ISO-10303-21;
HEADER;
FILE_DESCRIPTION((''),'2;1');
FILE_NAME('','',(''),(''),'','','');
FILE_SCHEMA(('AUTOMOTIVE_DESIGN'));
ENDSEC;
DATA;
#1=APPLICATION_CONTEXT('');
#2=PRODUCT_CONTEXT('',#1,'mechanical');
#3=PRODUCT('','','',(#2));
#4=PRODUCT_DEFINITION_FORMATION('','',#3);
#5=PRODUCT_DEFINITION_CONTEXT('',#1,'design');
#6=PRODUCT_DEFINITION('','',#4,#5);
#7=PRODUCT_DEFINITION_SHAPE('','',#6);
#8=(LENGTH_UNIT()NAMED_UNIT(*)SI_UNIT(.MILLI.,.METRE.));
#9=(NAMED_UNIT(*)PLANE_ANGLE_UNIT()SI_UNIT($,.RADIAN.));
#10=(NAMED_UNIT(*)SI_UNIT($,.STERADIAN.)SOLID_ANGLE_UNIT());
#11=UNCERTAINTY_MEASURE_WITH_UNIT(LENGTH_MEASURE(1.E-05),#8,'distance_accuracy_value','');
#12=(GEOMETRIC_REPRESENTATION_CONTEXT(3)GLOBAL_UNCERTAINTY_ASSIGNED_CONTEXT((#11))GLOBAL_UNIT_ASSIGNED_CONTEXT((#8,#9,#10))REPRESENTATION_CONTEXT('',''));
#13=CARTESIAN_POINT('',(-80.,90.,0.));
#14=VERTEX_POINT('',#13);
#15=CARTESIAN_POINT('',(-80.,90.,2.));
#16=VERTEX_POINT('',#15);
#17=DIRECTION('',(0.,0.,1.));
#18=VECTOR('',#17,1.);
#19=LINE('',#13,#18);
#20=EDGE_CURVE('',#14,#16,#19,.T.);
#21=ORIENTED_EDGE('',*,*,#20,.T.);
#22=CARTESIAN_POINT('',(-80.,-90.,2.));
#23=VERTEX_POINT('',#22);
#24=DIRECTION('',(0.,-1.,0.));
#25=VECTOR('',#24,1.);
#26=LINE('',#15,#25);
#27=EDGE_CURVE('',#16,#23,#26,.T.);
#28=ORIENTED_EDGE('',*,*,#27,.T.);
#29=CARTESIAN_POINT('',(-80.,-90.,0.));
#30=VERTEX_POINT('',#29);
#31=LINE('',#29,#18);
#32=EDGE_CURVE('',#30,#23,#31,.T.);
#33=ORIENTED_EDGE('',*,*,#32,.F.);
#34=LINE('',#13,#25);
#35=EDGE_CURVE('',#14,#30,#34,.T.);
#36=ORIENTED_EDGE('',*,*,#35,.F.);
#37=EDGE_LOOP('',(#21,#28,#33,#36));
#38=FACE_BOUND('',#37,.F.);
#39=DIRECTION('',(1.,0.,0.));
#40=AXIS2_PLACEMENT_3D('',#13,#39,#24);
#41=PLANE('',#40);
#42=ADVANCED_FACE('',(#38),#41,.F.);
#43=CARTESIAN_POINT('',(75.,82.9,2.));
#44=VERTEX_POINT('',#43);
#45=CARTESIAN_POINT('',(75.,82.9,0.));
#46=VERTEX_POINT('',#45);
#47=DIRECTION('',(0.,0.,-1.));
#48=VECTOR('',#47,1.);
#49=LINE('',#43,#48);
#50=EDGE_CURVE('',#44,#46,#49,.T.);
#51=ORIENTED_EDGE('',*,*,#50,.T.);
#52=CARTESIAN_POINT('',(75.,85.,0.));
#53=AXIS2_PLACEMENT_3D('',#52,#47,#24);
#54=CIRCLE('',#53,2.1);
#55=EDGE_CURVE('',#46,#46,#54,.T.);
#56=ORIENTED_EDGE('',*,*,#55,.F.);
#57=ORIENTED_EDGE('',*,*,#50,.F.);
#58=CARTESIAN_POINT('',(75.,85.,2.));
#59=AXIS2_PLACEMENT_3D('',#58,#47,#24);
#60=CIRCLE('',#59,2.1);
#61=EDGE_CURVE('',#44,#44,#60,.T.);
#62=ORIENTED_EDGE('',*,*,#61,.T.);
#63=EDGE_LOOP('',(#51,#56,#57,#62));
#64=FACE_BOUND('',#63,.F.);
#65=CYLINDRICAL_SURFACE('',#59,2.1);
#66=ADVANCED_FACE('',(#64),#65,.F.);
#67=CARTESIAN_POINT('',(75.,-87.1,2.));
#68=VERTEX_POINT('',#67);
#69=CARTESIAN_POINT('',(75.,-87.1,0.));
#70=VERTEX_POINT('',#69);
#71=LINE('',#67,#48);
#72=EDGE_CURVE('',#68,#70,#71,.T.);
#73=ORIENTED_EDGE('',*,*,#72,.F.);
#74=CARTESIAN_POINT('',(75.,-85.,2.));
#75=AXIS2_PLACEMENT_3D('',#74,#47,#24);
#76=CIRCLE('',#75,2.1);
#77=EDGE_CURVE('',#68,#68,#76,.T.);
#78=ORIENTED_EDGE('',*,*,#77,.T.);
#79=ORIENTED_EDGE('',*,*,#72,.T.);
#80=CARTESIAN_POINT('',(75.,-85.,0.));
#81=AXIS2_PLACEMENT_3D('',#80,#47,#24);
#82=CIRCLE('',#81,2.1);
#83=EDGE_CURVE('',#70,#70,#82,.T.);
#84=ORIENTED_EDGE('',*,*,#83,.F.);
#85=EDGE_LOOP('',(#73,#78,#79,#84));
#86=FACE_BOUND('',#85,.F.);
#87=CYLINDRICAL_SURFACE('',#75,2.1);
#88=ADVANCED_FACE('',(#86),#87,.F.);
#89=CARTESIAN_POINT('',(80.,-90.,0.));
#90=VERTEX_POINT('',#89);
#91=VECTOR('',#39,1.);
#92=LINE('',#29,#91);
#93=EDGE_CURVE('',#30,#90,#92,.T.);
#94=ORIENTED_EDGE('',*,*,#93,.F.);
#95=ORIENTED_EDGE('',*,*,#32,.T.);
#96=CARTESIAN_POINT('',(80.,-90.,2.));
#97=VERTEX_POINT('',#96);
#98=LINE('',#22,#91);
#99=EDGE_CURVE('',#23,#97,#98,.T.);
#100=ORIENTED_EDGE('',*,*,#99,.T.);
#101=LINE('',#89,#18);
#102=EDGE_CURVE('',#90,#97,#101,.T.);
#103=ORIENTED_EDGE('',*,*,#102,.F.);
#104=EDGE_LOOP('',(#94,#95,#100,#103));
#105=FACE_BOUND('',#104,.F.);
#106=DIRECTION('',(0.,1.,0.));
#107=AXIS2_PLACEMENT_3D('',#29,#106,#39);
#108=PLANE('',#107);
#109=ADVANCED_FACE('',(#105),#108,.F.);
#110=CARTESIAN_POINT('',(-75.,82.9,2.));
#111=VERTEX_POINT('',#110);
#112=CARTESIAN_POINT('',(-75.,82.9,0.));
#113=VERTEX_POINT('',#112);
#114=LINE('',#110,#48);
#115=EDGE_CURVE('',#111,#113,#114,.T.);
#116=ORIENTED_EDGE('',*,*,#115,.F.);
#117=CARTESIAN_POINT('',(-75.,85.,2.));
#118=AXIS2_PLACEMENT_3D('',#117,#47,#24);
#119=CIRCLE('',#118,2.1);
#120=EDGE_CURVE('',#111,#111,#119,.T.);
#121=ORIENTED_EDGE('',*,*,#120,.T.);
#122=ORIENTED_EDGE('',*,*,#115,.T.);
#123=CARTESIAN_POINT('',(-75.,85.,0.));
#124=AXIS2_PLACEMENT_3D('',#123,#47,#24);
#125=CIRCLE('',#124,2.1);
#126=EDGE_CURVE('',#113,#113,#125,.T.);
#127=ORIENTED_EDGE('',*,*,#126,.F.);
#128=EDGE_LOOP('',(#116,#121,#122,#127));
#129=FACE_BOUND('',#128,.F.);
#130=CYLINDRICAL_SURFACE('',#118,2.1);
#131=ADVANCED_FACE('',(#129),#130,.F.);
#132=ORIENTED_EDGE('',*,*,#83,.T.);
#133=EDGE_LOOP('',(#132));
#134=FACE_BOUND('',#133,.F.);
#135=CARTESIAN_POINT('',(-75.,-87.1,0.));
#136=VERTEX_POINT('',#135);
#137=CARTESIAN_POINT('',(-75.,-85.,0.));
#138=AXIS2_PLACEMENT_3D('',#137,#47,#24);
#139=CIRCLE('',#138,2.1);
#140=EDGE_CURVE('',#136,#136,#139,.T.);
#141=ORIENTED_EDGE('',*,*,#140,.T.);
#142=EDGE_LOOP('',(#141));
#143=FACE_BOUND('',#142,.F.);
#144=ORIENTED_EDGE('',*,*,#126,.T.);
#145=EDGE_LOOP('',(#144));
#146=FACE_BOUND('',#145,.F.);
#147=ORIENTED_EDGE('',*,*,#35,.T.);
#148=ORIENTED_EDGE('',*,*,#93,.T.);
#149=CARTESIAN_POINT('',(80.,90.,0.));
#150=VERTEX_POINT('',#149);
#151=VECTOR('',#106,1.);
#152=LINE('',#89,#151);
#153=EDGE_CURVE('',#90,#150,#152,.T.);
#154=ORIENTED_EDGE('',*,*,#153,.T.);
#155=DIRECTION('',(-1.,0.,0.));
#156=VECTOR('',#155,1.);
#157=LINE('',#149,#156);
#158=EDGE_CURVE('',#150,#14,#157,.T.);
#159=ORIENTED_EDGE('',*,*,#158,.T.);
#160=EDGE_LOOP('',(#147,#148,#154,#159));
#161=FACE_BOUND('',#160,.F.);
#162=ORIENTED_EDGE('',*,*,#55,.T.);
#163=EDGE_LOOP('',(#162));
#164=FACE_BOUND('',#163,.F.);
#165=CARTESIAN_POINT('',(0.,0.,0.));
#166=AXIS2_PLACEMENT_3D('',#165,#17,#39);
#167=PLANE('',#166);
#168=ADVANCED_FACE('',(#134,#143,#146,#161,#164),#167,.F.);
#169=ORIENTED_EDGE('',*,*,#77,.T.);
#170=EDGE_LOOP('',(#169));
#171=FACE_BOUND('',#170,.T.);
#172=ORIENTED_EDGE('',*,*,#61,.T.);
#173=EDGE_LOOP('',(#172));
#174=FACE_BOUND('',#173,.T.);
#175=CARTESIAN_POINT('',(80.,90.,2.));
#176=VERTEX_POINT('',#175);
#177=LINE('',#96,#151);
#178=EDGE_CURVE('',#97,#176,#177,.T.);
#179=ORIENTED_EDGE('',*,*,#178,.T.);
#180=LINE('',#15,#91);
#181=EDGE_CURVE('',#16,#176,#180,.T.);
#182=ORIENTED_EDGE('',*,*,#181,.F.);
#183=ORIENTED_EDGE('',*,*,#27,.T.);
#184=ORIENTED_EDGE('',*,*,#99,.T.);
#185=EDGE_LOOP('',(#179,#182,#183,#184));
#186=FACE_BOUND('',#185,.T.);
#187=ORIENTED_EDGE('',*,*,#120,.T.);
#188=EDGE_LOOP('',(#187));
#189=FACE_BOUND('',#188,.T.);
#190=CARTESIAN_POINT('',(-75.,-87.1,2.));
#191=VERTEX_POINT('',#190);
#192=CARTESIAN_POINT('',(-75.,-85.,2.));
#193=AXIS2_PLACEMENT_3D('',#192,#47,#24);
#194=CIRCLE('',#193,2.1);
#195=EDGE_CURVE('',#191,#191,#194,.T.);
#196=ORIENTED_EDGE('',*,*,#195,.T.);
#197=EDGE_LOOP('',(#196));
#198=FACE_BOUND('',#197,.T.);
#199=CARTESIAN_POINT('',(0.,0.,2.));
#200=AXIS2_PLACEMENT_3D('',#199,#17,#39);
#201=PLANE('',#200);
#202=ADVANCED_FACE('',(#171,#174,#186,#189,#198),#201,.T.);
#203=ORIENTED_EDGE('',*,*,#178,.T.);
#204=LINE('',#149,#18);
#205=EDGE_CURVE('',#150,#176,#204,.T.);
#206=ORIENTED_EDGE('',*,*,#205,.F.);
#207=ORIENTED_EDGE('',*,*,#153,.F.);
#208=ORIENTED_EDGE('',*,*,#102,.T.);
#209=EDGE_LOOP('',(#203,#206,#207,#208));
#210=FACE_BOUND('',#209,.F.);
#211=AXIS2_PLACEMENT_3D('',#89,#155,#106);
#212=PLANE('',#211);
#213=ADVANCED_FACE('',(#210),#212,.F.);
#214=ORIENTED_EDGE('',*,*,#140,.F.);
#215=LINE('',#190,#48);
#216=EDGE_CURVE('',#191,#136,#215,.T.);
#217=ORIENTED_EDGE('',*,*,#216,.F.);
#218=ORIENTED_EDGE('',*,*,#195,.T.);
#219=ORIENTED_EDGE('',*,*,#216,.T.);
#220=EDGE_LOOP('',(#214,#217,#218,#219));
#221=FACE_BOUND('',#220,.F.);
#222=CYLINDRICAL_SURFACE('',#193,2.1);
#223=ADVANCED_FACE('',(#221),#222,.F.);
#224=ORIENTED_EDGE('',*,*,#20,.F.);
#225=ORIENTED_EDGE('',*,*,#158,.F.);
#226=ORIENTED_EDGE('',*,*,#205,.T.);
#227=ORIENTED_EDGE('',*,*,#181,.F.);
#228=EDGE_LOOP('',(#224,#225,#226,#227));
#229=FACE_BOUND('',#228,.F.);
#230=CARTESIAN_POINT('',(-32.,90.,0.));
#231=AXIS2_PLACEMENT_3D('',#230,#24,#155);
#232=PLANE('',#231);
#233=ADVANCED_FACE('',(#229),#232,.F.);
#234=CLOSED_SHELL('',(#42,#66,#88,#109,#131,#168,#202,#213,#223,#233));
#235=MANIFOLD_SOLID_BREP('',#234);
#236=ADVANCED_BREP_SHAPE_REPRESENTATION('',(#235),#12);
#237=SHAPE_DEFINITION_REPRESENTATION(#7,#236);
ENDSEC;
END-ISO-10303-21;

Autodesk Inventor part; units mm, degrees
ref_plane "YZ Plane" through (0, 0, 0) normal (1, 0, 0) x (0, 1, 0)
ref_plane "XZ Plane" through (0, 0, 0) normal (0, 1, 0) x (-1, 0, 0)
ref_plane "XY Plane" through (0, 0, 0) normal (0, 0, 1) x (1, 0, 0)
sketch "Sketch1" plane through (0, 0, 0) normal (0, 0, 1) x (1, 0, 0)
  line L0 (-80, -90) -> (80, -90)
  line L1 (80, -90) -> (80, 90)
  line L2 (-80, 90) -> (-80, -90)
  line L3 (32, 90) -> (32, 90)
  line L4 (32, 90) -> (-32, 90)
  line L5 (-32, 90) -> (-32, 90)
  line L6 (80, 90) -> (32, 90)
  line L7 (-32, 90) -> (-80, 90)
  point P0 (0, 0)
  dimension "d0" = 160
  dimension "d1" = 180
  dimension "d2" = 90
  dimension "d3" = 80
  dimension "d22" = 0
  dimension "d28" = 0
  dimension "d29" = 180
extrude "Extrusion1" add sketch "Sketch1" along normal blind 2
sketch "Sketch2" plane through (0, 0, 2) normal (0, 0, 1) x (1, 0, 0)
  line L0 (-80, -90) -> (80, -90) projected
  line L1 (80, 90) -> (-80, 90) projected
  point P0 (0, 0)
  point P1 (-75, 85)
  point P2 (75, 85)
  point P3 (-75, -85)
  point P4 (75, -85)
  point P5 (-42, 105)
  point P6 (-80, 90)
  dimension "d6" = 170
  dimension "d8" = 150
  dimension "d9" = 75
  dimension "d10" = 150
  dimension "d11" = 5
  dimension "d12" = 5
  dimension "d13" = 170
  dimension "d14" = 75
  dimension "d27" = 5
hole "Hole1" at (-75, 85, 2) at (75, 85, 2) at (-75, -85, 2) at (75, -85, 2) direction (0, 0, -1) diameter 4.2 end through all
equation "\"d2\" = 0.5 * d1"
equation "\"d3\" = 0.5 * d0"
equation "\"d29\" = d1"
equation "\"d9\" = 0.5 * d8"
equation "\"d10\" = d8"
equation "\"d12\" = d11"
equation "\"d13\" = d6"
equation "\"d14\" = d9"
equation "\"d20\" = Thickness"
equation "\"BendRadius\" = Thickness"
equation "\"BendReliefWidth\" = Thickness"
equation "\"BendReliefDepth\" = 0.5 * Thickness"
equation "\"CornerReliefSize\" = 4 * Thickness"
equation "\"MinimumRemnant\" = 2 * Thickness"
equation "\"TransitionRadius\" = BendRadius"
equation "\"JacobiRadiusSize\" = BendRadius"
equation "\"GapSize\" = Thickness"
equation "\"Thickness\" = 0.5"
properties part number "XGEN_simsun-pcb"
